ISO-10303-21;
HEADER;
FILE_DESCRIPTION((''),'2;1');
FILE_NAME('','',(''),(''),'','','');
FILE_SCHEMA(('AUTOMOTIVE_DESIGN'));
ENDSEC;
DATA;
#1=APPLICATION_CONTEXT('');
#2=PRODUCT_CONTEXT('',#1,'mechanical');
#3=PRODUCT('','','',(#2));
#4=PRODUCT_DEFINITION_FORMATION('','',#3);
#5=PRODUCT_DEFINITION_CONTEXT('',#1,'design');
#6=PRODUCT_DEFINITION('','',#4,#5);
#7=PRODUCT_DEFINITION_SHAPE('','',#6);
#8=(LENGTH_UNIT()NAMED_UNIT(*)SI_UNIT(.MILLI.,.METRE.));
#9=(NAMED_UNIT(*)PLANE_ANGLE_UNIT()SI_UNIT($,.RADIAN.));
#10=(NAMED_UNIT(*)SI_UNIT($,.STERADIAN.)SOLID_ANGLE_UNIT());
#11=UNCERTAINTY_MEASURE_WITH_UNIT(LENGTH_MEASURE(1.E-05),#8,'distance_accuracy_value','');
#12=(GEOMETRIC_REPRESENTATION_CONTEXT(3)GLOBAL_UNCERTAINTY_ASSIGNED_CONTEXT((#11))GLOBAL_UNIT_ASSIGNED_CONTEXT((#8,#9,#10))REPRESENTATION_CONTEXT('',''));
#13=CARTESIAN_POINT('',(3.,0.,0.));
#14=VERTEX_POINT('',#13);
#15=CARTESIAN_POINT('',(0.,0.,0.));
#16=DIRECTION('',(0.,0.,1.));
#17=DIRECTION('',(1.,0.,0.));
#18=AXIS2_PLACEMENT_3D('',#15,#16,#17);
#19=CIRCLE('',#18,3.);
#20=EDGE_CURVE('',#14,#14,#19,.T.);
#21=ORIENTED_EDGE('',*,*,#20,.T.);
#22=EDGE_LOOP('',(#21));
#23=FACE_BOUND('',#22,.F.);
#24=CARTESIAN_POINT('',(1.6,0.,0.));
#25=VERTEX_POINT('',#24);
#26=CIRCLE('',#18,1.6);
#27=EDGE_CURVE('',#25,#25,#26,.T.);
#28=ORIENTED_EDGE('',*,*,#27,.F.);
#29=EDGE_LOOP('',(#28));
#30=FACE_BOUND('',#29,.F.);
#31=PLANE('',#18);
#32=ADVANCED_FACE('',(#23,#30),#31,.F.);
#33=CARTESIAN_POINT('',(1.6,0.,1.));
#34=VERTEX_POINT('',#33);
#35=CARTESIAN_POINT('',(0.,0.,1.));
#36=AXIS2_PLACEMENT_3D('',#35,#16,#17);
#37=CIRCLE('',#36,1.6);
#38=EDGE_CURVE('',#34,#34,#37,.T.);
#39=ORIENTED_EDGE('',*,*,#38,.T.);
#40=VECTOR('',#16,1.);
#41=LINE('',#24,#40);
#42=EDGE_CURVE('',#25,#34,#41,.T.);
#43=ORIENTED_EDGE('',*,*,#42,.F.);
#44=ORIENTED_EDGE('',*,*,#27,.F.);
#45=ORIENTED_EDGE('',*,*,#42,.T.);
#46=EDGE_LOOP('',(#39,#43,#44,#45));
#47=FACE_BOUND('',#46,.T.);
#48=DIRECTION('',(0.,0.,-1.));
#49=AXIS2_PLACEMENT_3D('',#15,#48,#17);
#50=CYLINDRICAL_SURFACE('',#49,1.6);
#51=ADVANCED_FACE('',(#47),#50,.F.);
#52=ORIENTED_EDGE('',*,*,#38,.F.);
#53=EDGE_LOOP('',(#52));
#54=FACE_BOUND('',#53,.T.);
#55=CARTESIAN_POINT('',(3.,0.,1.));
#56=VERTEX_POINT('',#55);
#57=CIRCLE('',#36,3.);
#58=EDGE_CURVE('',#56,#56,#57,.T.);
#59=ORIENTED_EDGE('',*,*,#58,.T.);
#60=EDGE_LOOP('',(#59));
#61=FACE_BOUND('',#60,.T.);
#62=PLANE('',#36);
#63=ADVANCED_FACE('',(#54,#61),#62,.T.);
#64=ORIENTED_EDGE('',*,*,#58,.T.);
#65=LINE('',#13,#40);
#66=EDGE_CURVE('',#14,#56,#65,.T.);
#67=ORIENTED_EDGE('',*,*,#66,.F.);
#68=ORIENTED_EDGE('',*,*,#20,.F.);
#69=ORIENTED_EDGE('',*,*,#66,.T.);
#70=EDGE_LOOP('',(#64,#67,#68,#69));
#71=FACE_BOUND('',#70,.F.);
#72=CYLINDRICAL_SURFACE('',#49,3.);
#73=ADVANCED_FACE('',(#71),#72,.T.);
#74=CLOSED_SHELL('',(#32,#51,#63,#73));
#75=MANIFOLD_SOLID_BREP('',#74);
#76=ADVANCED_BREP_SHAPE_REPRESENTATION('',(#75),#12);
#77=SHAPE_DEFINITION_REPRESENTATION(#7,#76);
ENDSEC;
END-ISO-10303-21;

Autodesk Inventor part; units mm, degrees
ref_plane "YZ Plane" through (0, 0, 0) normal (1, 0, 0) x (0, 1, 0)
ref_plane "XZ Plane" through (0, 0, 0) normal (0, 1, 0) x (-1, 0, 0)
ref_plane "XY Plane" through (0, 0, 0) normal (0, 0, 1) x (1, 0, 0)
sketch "スケッチ1" plane through (0, 0, 0) normal (0, 0, 1) x (1, 0, 0)
  circle A0 centre (0, 0) radius 1.6
  circle A1 centre (0, 0) radius 3
  dimension "d0" = 3.2
  dimension "d1" = 6
extrude "押し出し1" add sketch "スケッチ1" along normal blind 1
properties part number "アルミワッシャー　内径3.2外径6　厚み1" material "アルミニウム 2014-T4"
